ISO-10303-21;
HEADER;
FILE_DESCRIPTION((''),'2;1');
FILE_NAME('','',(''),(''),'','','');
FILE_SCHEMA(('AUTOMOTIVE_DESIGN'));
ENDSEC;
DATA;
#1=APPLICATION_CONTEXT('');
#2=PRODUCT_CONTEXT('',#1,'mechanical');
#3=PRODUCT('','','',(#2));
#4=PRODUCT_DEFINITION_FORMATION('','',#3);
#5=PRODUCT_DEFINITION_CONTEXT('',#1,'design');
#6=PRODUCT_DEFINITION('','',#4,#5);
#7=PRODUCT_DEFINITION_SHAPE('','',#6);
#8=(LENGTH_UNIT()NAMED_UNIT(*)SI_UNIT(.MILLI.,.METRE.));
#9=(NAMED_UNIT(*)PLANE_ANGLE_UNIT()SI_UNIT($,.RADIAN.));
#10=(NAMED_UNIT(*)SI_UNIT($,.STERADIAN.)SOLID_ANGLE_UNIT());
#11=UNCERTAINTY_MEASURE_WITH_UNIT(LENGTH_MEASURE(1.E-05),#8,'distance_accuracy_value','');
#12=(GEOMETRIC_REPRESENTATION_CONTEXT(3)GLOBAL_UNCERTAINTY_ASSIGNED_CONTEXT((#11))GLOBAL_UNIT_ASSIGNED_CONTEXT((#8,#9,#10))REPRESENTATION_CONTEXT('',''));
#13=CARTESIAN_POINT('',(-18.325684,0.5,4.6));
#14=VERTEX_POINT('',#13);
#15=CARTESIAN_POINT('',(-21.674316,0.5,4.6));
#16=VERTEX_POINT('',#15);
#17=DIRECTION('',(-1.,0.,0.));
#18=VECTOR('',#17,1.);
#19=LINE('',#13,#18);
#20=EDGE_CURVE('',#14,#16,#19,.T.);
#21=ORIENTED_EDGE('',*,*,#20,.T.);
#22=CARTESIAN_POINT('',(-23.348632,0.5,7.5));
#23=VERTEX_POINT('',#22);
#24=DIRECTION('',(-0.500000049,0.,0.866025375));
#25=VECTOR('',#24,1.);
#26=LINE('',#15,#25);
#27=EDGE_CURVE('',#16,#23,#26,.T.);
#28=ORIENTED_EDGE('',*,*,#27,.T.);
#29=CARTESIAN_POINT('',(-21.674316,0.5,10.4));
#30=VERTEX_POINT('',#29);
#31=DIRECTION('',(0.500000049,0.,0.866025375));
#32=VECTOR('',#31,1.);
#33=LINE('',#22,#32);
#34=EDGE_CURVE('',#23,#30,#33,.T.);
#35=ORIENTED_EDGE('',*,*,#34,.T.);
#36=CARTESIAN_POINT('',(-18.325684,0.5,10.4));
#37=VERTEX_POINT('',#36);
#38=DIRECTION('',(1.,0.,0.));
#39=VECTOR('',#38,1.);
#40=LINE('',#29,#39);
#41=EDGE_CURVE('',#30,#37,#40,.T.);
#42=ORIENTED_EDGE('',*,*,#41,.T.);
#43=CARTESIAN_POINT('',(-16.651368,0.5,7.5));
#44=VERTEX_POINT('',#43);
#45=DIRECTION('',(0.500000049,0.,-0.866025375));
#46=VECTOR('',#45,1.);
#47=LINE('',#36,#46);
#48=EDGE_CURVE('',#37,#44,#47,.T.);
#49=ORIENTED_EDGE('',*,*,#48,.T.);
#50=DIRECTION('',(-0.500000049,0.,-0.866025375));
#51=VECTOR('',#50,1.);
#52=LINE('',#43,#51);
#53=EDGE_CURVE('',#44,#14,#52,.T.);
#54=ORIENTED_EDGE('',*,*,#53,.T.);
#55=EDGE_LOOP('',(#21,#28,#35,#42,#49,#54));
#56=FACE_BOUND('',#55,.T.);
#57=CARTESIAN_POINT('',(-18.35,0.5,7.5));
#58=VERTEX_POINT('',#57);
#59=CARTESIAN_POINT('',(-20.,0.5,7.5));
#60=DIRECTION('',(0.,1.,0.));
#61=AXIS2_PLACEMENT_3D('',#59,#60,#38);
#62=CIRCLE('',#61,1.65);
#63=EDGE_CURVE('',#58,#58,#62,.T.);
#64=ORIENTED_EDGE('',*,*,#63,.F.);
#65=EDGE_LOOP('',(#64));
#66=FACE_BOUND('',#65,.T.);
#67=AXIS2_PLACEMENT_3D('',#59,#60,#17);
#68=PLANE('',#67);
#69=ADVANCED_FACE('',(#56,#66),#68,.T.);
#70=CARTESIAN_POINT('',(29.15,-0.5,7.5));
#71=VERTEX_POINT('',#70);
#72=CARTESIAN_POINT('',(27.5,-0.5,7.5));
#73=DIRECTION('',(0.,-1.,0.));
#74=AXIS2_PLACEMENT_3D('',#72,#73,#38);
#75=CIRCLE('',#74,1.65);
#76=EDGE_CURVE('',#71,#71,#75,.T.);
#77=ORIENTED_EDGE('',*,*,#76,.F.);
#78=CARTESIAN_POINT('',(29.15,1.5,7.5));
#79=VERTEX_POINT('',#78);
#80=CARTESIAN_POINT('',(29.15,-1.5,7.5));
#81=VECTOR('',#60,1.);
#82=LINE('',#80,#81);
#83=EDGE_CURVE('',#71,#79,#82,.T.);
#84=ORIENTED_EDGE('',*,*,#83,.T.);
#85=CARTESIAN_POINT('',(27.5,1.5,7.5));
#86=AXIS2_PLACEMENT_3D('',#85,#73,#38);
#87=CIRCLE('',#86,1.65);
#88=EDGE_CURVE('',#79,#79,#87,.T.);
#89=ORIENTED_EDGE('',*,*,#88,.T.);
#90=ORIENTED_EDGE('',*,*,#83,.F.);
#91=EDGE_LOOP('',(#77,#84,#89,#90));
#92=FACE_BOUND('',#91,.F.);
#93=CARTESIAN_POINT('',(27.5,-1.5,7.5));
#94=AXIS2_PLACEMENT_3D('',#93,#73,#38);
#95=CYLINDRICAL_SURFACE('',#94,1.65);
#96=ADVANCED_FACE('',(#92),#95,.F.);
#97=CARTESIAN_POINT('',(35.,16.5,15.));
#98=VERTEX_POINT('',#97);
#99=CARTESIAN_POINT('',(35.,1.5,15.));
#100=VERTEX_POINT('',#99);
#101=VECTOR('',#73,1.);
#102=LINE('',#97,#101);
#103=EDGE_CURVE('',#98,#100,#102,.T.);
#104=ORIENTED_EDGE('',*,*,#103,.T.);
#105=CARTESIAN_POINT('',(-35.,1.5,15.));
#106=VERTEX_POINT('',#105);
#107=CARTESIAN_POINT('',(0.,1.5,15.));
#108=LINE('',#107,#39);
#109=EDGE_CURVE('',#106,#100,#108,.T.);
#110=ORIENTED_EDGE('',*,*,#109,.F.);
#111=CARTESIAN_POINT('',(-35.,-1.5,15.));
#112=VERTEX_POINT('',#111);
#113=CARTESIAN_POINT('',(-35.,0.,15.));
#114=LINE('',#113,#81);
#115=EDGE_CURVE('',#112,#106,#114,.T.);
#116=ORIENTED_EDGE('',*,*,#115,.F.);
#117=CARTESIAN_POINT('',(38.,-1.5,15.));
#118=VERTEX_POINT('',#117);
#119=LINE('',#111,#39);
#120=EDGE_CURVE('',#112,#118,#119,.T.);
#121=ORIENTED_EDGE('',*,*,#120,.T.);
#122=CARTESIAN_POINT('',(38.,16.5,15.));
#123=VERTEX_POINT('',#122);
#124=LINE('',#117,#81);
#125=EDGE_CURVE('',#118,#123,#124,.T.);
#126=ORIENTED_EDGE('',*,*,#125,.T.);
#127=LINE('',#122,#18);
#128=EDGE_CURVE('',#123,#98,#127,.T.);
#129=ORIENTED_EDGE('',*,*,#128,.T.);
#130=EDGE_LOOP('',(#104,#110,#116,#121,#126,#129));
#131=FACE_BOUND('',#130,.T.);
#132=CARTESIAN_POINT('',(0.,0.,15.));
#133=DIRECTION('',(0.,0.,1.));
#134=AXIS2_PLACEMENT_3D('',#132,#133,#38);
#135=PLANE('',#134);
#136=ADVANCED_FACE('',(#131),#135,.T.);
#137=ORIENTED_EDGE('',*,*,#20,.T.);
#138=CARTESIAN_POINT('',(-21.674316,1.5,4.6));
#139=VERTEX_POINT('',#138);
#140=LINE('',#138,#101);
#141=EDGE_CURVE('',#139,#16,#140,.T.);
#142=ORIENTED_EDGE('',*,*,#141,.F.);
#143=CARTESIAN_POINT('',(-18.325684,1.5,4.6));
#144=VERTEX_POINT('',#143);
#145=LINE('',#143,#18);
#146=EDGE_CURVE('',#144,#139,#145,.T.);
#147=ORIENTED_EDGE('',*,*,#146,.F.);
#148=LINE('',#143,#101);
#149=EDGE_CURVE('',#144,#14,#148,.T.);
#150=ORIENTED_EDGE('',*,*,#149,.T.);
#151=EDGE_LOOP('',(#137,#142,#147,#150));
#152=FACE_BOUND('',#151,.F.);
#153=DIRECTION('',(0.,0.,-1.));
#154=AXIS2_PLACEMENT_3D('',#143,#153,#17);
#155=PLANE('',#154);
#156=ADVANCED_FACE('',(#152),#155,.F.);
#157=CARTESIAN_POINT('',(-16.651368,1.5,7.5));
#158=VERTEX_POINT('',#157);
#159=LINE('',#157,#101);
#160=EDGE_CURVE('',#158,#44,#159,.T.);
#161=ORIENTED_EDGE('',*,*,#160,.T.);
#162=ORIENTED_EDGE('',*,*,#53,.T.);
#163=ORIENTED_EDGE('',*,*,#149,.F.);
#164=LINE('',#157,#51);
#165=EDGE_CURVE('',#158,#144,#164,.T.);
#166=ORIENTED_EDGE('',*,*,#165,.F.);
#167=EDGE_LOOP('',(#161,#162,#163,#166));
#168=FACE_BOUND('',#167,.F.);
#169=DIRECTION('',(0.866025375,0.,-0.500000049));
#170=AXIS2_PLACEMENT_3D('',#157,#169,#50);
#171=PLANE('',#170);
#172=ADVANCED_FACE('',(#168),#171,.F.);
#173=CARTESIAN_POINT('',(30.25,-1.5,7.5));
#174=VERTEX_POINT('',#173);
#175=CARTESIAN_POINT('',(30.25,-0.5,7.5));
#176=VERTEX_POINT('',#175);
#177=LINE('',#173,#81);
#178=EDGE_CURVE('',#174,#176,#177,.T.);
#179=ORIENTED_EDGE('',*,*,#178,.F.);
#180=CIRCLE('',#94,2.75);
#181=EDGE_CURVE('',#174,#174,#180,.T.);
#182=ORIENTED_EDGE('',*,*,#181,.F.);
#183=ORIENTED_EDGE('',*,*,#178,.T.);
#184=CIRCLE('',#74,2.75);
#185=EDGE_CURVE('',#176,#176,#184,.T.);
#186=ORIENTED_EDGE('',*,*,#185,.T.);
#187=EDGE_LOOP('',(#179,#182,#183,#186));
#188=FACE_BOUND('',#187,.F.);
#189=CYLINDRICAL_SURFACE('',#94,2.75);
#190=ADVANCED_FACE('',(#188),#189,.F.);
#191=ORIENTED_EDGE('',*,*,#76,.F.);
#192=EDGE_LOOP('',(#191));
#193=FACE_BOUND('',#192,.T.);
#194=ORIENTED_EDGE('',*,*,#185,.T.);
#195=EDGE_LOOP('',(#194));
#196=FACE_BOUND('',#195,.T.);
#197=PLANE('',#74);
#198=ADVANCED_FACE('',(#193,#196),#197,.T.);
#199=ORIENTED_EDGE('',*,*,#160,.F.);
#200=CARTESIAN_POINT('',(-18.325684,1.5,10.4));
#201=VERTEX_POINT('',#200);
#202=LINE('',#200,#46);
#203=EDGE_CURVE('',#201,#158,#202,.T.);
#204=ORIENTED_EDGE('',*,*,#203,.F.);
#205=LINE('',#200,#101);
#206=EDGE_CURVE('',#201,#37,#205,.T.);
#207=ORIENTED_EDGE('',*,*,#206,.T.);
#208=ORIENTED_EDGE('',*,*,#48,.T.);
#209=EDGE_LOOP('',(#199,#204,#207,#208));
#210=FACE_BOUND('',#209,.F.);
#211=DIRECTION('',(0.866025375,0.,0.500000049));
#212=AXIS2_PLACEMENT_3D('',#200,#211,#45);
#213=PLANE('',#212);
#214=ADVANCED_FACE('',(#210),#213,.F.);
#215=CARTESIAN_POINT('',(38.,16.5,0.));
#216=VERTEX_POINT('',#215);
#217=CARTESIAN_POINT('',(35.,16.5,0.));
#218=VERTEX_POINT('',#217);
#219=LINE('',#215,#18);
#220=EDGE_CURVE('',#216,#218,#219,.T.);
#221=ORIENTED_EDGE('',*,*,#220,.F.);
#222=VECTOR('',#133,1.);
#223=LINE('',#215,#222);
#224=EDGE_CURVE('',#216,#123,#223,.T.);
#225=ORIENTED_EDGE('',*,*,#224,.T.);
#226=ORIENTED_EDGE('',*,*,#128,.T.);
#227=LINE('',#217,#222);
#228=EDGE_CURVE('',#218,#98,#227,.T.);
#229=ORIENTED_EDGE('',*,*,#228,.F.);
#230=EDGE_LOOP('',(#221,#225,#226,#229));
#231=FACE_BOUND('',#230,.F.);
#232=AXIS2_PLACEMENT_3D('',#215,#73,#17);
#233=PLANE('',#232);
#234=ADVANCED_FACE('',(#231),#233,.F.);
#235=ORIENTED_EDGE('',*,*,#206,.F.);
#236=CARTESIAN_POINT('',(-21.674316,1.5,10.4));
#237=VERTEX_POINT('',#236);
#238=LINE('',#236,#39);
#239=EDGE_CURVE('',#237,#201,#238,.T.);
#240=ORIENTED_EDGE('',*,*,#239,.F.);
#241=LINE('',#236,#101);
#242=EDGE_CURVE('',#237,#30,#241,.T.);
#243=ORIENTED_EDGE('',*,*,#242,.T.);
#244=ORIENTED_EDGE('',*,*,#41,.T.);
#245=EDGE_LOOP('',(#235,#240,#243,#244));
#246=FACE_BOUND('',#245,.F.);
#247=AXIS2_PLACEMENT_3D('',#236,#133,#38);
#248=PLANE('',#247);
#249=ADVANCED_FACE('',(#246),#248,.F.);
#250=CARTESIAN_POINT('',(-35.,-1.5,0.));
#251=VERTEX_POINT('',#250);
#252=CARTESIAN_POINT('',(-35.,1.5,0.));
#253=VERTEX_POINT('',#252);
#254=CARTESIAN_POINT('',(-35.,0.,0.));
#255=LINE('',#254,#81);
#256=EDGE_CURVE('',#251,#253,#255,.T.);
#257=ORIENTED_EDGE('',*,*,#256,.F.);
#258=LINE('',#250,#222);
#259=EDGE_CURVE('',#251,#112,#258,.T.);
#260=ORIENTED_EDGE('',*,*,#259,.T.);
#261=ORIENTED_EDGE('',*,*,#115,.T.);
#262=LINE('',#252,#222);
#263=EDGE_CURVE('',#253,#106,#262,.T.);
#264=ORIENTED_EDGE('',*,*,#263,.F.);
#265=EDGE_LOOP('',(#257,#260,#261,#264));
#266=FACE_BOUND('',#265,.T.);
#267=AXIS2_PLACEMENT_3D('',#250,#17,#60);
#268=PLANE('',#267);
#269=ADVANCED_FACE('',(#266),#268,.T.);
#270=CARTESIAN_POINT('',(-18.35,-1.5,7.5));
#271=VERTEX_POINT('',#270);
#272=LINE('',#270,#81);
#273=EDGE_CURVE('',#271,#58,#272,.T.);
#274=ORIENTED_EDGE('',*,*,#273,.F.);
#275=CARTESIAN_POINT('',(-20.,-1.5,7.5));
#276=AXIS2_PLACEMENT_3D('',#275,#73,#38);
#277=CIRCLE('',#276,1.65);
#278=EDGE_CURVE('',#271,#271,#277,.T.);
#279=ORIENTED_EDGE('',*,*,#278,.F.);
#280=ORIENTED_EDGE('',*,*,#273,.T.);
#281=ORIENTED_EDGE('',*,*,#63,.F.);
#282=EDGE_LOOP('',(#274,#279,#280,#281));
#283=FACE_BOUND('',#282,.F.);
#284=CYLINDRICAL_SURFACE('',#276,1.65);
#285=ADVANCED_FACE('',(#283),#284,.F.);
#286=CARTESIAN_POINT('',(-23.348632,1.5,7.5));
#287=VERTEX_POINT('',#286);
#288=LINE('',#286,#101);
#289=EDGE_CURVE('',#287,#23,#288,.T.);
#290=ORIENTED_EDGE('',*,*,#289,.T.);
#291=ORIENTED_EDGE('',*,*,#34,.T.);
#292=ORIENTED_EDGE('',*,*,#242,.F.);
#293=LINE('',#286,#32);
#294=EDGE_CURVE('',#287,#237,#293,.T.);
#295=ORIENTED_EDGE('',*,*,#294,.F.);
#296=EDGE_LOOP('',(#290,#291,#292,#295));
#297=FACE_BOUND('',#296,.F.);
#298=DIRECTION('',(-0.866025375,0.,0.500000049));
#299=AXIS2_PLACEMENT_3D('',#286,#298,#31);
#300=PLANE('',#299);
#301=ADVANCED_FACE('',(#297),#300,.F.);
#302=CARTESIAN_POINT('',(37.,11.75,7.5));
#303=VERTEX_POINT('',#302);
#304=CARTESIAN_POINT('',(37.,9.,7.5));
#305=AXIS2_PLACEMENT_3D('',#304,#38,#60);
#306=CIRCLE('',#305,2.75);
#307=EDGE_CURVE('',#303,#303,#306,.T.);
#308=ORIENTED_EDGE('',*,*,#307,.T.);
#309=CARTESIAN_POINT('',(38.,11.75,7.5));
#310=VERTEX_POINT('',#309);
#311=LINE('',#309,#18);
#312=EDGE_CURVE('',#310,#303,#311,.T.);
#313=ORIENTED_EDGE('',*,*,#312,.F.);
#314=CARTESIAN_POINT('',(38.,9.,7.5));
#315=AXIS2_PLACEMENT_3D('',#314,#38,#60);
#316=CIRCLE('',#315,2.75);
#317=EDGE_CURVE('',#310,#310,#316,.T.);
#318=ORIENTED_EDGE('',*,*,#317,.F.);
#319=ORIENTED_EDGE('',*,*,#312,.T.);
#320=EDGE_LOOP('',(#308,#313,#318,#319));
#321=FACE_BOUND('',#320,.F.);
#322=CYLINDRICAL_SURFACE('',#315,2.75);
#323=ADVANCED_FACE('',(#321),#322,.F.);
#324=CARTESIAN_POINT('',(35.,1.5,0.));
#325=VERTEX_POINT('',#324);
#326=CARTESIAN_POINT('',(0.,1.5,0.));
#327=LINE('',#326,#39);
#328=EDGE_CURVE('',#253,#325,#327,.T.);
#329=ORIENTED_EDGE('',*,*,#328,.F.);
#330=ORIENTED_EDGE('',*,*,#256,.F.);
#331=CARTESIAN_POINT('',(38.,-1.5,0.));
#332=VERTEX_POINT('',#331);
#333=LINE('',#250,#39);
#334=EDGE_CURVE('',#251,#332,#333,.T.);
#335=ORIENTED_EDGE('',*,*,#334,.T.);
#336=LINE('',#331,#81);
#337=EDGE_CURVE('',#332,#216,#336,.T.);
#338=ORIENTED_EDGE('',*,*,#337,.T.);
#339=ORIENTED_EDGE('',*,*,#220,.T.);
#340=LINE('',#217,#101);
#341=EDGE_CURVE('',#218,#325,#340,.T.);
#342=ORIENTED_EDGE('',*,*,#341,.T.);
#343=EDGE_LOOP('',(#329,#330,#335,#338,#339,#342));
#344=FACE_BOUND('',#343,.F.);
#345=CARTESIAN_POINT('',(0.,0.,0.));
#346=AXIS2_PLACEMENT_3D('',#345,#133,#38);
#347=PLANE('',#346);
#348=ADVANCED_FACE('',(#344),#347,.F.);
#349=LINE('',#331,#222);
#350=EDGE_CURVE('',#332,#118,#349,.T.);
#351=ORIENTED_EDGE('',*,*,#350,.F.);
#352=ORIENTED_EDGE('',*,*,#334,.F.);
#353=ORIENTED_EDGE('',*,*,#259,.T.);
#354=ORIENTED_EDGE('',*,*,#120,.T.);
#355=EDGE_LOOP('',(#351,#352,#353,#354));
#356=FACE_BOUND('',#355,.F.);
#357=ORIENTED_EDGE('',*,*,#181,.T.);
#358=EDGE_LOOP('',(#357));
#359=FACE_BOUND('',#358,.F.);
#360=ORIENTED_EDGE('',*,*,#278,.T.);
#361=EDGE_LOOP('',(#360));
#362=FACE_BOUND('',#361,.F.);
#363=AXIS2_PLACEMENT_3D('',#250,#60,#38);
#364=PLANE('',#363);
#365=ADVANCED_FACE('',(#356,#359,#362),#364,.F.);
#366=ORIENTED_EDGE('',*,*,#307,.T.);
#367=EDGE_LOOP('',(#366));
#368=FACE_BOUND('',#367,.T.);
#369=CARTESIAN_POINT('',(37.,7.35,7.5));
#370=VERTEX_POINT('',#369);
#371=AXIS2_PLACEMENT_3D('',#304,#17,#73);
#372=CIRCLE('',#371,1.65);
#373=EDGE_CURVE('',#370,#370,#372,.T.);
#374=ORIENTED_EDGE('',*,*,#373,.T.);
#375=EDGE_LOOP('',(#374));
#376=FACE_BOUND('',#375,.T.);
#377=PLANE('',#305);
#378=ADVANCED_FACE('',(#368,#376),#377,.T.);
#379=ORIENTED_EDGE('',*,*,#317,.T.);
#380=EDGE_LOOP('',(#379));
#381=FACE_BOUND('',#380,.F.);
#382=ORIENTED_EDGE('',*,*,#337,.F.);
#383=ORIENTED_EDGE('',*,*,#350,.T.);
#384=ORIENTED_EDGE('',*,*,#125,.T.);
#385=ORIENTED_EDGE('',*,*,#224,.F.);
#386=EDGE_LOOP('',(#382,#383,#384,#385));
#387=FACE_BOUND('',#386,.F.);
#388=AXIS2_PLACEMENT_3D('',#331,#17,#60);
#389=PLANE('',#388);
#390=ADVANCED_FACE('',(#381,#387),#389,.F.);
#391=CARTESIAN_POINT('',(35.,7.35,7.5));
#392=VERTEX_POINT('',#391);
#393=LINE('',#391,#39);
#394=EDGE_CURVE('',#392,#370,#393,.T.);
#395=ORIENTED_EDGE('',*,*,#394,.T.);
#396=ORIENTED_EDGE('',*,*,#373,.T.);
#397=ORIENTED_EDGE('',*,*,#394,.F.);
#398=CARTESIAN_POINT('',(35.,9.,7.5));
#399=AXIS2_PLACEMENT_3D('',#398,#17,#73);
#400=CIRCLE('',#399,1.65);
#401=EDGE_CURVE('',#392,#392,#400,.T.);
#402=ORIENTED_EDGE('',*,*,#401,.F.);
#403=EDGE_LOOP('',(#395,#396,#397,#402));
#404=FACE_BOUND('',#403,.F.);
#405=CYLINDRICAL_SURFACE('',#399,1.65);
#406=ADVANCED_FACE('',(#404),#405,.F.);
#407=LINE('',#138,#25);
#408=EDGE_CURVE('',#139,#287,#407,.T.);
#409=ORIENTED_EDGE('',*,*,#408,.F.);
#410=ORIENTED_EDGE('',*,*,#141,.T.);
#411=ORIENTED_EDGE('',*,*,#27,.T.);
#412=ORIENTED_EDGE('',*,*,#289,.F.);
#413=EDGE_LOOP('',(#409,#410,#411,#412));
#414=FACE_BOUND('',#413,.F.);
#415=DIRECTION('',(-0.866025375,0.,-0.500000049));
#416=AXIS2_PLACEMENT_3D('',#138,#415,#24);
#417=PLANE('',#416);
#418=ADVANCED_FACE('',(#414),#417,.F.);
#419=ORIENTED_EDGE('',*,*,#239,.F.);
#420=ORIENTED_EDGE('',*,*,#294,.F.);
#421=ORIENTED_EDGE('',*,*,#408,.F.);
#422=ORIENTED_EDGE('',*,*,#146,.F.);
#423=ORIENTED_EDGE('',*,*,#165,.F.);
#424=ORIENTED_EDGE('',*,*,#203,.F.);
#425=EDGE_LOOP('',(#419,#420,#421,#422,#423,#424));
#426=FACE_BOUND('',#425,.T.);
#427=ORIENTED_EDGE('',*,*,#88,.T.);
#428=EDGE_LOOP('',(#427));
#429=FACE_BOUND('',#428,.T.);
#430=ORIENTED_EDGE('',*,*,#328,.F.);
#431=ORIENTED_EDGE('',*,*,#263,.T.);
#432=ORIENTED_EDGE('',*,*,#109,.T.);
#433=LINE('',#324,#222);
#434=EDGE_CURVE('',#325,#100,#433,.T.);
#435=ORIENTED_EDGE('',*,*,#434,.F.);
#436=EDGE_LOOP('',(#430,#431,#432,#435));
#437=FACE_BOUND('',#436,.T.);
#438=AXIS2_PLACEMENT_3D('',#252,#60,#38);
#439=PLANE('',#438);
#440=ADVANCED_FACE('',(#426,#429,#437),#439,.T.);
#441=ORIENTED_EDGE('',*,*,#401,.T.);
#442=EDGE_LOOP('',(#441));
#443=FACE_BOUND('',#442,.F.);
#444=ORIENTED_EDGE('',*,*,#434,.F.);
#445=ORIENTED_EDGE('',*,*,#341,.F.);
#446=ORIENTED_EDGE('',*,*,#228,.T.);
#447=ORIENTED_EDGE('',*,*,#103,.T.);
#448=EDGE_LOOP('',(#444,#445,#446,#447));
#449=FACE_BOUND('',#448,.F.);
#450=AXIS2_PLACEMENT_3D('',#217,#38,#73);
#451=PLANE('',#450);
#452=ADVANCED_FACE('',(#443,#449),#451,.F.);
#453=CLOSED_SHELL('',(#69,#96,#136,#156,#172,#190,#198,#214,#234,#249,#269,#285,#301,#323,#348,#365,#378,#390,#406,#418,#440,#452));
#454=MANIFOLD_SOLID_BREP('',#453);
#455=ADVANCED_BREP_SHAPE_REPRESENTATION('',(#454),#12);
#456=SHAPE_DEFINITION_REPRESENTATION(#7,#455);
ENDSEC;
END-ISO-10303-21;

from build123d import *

# Parameters (mm, degrees)
F0_W      = 70
F0_H      = 3
F1_DEPTH  = 15
F2_R      = 1.65
F3_DEPTH  = 25
F4_R      = 2.75
F5_DEPTH  = 1
F6_R      = 1.65
F7_DEPTH  = 3
F8_R      = 1.65
F9_DEPTH  = 3
F8_R_2    = 2.75
F10_DEPTH = 1
F11_R     = 1.65
F12_DEPTH = 1


with BuildPart() as f1:
    # F0 (on Top) → F1 (new body)
    with BuildSketch(Plane.XY):
        Rectangle(F0_W, F0_H)
        Polygon((35, 16.5), (35, 1.5), (35, -1.5), (38, -1.5), (38, 16.5), align=None)
    extrude(amount=F1_DEPTH)

    # F2 (on face) → F3 (cut)
    with BuildSketch(Plane(origin=(35, 0, 0), x_dir=(0, -1, 0), z_dir=(-1, 0, 0))):
        with Locations((-9, 7.5)):
            Circle(F2_R)
    extrude(amount=-F3_DEPTH, mode=Mode.SUBTRACT)

    # F4 (on face) → F5 (cut)
    with BuildSketch(Plane.YZ.offset(38)):
        with Locations((9, 7.5)):
            Circle(F4_R)
    extrude(amount=-F5_DEPTH, mode=Mode.SUBTRACT)

    # F6 (on face) → F7 (cut, through all)
    with BuildSketch(Plane.XZ.offset(1.5)):
        with Locations((-20, 7.5)):
            Circle(F6_R)
    extrude(amount=-F7_DEPTH, mode=Mode.SUBTRACT)

    # F8 (on face) → F9 (cut, through all)
    with BuildSketch(Plane.XZ.offset(1.5)):
        with Locations((27.5, 7.5)):
            Circle(F8_R)
    extrude(amount=-F9_DEPTH, mode=Mode.SUBTRACT)

    # F8 (on face) → F10 (cut)
    with BuildSketch(Plane.XZ.offset(1.5)):
        with Locations((27.5, 7.5)):
            Circle(F8_R_2)
        with Locations((27.5, 7.5)):
            Circle(F8_R, mode=Mode.SUBTRACT)
    extrude(amount=-F10_DEPTH, mode=Mode.SUBTRACT)

    # F11 (on face) → F12 (cut)
    with BuildSketch(Plane(origin=(0, 1.5, 0), x_dir=(-1, 0, 0), z_dir=(0, 1, 0))):
        Polygon((21.674316, 10.4), (18.325684, 10.4), (16.651368, 7.5), (18.325684, 4.6), (21.674316, 4.6), (23.348632, 7.5), align=None)
        with Locations((20, 7.5)):
            Circle(F11_R, mode=Mode.SUBTRACT)
    extrude(amount=-F12_DEPTH, mode=Mode.SUBTRACT)


solid = f1.part
